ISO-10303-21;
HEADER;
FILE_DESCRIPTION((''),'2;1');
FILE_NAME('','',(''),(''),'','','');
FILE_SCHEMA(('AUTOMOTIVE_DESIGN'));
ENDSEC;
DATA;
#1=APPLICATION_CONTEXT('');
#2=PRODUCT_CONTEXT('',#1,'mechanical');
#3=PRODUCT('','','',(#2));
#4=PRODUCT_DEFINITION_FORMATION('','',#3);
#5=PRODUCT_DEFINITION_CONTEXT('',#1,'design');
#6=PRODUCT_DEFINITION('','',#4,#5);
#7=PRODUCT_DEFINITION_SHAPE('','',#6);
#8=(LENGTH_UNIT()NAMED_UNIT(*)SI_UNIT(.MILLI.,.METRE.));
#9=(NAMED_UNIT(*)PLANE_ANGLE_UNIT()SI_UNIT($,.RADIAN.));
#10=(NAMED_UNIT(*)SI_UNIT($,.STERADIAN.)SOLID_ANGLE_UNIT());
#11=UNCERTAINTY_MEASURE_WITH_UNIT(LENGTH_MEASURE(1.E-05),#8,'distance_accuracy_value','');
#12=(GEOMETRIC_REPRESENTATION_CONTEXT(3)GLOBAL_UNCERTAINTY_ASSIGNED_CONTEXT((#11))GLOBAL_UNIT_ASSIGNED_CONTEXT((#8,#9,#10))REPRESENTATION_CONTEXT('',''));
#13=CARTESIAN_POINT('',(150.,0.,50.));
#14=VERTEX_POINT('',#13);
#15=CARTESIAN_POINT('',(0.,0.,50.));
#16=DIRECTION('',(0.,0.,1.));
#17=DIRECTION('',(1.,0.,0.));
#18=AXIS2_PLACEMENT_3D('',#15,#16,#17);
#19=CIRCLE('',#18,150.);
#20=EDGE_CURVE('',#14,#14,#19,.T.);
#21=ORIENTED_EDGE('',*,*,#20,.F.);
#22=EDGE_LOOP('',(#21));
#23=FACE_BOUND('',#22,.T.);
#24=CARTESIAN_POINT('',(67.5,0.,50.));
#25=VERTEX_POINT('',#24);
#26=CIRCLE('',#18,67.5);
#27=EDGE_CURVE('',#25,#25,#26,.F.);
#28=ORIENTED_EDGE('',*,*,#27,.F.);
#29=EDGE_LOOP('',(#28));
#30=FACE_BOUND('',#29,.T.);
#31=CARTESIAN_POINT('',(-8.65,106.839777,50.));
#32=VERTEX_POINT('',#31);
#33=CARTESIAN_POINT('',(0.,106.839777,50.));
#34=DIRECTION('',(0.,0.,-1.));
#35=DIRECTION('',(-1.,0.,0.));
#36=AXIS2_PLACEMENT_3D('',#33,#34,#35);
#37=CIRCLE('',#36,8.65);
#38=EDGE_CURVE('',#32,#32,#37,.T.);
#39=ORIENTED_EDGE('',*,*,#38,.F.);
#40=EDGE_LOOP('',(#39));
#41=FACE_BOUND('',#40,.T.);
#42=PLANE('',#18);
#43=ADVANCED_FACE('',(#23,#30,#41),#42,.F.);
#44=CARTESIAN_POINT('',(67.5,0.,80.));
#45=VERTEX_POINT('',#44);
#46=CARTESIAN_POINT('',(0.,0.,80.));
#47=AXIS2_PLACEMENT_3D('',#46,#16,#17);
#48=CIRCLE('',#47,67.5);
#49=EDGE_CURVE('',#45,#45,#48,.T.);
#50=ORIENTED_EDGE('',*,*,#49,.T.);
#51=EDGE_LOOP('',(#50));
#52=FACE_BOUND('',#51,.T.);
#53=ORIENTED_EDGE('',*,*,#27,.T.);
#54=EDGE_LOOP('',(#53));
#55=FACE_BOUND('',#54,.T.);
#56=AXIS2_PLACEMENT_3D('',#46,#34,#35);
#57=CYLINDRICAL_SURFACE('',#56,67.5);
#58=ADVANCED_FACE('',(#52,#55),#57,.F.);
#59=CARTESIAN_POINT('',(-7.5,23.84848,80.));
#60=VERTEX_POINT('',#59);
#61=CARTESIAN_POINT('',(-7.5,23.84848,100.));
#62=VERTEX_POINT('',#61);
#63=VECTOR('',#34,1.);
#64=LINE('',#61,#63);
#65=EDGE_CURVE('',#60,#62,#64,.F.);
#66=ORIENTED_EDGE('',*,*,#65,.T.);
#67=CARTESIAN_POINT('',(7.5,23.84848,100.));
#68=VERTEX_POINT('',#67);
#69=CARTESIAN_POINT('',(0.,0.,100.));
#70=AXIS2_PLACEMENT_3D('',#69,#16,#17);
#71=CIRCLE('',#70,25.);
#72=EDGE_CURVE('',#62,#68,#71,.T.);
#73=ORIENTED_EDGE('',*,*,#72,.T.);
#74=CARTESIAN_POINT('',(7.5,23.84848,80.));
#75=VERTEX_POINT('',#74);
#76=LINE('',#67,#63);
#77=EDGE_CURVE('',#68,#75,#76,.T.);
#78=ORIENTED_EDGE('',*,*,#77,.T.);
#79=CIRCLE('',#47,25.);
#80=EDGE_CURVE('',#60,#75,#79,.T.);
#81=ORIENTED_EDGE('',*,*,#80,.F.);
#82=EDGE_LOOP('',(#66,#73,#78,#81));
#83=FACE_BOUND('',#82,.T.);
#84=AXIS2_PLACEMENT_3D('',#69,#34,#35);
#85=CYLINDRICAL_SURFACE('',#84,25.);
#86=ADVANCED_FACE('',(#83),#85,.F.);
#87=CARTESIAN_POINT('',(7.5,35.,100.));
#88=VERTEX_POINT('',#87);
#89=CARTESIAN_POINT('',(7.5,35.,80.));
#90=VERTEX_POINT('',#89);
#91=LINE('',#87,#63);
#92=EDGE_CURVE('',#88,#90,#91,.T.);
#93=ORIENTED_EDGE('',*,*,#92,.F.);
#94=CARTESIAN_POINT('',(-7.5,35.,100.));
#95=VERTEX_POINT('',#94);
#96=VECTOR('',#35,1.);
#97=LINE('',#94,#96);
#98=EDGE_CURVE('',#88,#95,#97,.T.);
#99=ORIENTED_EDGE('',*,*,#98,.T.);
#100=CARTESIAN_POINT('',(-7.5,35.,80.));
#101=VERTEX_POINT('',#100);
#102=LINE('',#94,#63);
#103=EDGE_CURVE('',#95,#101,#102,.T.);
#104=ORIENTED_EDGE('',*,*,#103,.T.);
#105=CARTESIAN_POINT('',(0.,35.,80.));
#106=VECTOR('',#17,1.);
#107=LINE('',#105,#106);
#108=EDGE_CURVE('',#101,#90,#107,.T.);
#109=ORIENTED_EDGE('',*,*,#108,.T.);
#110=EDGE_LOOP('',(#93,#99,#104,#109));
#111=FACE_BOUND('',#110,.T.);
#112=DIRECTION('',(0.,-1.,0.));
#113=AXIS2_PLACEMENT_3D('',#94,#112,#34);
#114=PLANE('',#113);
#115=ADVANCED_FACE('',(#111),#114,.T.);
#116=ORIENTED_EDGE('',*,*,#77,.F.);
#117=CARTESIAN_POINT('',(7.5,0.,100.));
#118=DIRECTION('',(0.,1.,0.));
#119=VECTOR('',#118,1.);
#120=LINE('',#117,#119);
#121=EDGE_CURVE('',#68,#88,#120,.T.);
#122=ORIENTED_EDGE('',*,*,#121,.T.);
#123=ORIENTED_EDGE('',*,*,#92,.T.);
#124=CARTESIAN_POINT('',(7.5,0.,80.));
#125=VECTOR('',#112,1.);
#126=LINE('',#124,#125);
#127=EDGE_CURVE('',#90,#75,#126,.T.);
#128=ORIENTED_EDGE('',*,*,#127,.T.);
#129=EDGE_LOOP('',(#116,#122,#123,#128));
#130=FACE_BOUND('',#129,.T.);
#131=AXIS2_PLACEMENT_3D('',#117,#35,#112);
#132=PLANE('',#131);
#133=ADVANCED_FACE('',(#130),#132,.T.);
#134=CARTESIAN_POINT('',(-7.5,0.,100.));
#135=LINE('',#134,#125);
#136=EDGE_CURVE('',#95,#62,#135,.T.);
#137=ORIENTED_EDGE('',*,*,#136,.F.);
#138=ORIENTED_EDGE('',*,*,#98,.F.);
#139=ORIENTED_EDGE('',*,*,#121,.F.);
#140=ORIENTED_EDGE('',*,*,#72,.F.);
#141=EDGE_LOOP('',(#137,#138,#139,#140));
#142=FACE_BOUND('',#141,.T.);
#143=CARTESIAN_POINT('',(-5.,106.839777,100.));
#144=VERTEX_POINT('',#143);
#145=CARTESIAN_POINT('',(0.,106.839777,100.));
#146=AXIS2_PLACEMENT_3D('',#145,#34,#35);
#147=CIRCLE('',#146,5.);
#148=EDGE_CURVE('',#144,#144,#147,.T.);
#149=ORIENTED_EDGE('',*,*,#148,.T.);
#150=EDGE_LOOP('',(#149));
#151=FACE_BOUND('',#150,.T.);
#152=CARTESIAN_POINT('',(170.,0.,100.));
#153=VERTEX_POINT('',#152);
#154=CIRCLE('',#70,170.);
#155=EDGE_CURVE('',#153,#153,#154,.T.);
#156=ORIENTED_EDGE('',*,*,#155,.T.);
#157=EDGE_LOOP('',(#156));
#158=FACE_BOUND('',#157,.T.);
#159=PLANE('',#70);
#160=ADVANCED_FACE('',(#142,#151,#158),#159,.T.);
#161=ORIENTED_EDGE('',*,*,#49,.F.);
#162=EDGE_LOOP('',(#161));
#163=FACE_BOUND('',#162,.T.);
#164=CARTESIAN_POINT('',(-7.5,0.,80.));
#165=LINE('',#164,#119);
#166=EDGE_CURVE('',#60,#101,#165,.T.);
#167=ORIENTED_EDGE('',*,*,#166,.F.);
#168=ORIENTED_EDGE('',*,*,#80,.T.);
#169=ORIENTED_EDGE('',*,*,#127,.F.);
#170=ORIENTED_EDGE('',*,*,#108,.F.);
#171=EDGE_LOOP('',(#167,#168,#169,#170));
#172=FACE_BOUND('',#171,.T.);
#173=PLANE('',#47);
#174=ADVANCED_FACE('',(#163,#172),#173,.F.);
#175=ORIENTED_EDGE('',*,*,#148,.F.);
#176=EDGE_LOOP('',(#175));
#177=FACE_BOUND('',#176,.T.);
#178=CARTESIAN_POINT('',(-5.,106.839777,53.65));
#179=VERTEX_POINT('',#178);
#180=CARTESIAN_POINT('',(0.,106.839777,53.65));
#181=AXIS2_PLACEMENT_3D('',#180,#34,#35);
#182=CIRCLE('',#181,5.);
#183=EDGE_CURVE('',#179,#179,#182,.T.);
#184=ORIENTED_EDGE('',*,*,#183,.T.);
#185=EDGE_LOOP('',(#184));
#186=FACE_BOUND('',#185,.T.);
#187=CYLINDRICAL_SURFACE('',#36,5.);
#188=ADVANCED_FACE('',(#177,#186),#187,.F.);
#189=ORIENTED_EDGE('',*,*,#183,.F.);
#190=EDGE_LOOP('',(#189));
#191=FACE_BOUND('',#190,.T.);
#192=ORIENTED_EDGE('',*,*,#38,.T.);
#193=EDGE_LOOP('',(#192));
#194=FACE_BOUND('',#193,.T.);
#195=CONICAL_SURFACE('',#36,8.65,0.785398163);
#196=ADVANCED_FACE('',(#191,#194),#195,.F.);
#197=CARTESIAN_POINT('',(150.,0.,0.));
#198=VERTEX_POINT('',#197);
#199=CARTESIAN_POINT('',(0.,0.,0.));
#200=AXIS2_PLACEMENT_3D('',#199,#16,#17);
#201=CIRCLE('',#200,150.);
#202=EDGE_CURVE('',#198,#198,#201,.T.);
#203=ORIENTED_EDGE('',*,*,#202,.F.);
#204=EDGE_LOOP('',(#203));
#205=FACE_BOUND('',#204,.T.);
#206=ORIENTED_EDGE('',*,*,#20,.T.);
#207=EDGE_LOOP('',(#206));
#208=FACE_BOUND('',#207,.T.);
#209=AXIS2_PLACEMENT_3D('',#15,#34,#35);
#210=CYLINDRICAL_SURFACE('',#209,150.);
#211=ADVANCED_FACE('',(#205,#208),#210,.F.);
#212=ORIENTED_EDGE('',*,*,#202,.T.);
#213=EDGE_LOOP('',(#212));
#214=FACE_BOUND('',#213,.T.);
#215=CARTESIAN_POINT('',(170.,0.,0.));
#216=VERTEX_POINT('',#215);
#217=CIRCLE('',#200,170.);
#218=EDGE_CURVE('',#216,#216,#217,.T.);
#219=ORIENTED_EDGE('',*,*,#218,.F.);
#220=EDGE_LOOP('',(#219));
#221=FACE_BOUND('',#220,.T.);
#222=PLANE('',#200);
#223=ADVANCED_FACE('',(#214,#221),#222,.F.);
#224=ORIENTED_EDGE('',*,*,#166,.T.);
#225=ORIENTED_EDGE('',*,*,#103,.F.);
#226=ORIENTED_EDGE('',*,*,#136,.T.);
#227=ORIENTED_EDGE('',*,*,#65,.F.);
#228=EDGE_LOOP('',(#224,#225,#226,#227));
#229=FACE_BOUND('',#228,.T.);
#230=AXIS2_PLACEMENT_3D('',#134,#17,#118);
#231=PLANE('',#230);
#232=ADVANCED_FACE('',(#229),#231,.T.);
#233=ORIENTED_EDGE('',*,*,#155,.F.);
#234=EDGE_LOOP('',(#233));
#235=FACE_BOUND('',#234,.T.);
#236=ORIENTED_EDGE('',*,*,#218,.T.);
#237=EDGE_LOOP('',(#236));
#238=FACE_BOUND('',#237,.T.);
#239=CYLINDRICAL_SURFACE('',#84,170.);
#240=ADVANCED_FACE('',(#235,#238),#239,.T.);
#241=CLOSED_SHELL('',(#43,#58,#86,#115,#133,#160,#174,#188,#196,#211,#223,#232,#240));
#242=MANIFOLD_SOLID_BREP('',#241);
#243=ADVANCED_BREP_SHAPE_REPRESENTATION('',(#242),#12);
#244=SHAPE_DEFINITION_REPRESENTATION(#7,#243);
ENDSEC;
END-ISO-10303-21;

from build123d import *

# Parameters (mm, degrees)
CROQUIS2_R                                           = 170
CROQUIS2_R_2                                         = 150
CROQUIS2_R_3                                         = 67.5
CROQUIS2_R_4                                         = 25
SALIENTE_EXTRUIR1_DEPTH                              = 100
CROQUIS3_R                                           = 150
CORTAR_EXTRUIR1_DEPTH                                = 50
CROQUIS4_R                                           = 67.5
CORTAR_EXTRUIR3_DEPTH                                = 80
CROQUIS5_W                                           = 15
CROQUIS5_H                                           = 35
CORTAR_EXTRUIR4_DEPTH                                = 261.384331326
AVELLANADO_PARA_TORNILLO_CON_CABEZA_AVEL_D           = 10
AVELLANADO_PARA_TORNILLO_CON_CABEZA_AVEL_CSINK_D     = 17.3
AVELLANADO_PARA_TORNILLO_CON_CABEZA_AVEL_CSINK_ANGLE = 90


with BuildPart() as part:
    # Croquis2 → Saliente-Extruir1 (new body)
    # profile 1 of 3: a face of its own
    with BuildSketch(Plane.XY):
        Circle(CROQUIS2_R)
        Circle(CROQUIS2_R_2, mode=Mode.SUBTRACT)
    # profile 2 of 3: a face of its own
    with BuildSketch(Plane.XY):
        Circle(CROQUIS2_R_2)
        Circle(CROQUIS2_R_3, mode=Mode.SUBTRACT)
    # profile 3 of 3: a face of its own
    with BuildSketch(Plane.XY):
        Circle(CROQUIS2_R_3)
        Circle(CROQUIS2_R_4, mode=Mode.SUBTRACT)
    extrude(amount=SALIENTE_EXTRUIR1_DEPTH)

    # Croquis3 → Cortar-Extruir1 (cut)
    with BuildSketch(Plane.XY):
        Circle(CROQUIS3_R)
    extrude(amount=CORTAR_EXTRUIR1_DEPTH, mode=Mode.SUBTRACT)

    # Croquis4 → Cortar-Extruir3 (cut)
    with BuildSketch(Plane.XY):
        Circle(CROQUIS4_R)
    extrude(amount=CORTAR_EXTRUIR3_DEPTH, mode=Mode.SUBTRACT)

    # Croquis5 → Cortar-Extruir4 (cut, through all)
    with BuildSketch(Plane.XY):
        with Locations((0, 17.5)):
            Rectangle(CROQUIS5_W, CROQUIS5_H)
    extrude(amount=CORTAR_EXTRUIR4_DEPTH, mode=Mode.SUBTRACT)

    # Avellanado para tornillo con cabeza avellanada de M81 (through all)
    with Locations(Plane(origin=(0, 0, 50), x_dir=(-1, 0, 0), z_dir=(0, 0, -1))):
        with Locations((0, 106.839777093)):
            CounterSinkHole(AVELLANADO_PARA_TORNILLO_CON_CABEZA_AVEL_D / 2, AVELLANADO_PARA_TORNILLO_CON_CABEZA_AVEL_CSINK_D / 2, counter_sink_angle=AVELLANADO_PARA_TORNILLO_CON_CABEZA_AVEL_CSINK_ANGLE)


solid = part.part
